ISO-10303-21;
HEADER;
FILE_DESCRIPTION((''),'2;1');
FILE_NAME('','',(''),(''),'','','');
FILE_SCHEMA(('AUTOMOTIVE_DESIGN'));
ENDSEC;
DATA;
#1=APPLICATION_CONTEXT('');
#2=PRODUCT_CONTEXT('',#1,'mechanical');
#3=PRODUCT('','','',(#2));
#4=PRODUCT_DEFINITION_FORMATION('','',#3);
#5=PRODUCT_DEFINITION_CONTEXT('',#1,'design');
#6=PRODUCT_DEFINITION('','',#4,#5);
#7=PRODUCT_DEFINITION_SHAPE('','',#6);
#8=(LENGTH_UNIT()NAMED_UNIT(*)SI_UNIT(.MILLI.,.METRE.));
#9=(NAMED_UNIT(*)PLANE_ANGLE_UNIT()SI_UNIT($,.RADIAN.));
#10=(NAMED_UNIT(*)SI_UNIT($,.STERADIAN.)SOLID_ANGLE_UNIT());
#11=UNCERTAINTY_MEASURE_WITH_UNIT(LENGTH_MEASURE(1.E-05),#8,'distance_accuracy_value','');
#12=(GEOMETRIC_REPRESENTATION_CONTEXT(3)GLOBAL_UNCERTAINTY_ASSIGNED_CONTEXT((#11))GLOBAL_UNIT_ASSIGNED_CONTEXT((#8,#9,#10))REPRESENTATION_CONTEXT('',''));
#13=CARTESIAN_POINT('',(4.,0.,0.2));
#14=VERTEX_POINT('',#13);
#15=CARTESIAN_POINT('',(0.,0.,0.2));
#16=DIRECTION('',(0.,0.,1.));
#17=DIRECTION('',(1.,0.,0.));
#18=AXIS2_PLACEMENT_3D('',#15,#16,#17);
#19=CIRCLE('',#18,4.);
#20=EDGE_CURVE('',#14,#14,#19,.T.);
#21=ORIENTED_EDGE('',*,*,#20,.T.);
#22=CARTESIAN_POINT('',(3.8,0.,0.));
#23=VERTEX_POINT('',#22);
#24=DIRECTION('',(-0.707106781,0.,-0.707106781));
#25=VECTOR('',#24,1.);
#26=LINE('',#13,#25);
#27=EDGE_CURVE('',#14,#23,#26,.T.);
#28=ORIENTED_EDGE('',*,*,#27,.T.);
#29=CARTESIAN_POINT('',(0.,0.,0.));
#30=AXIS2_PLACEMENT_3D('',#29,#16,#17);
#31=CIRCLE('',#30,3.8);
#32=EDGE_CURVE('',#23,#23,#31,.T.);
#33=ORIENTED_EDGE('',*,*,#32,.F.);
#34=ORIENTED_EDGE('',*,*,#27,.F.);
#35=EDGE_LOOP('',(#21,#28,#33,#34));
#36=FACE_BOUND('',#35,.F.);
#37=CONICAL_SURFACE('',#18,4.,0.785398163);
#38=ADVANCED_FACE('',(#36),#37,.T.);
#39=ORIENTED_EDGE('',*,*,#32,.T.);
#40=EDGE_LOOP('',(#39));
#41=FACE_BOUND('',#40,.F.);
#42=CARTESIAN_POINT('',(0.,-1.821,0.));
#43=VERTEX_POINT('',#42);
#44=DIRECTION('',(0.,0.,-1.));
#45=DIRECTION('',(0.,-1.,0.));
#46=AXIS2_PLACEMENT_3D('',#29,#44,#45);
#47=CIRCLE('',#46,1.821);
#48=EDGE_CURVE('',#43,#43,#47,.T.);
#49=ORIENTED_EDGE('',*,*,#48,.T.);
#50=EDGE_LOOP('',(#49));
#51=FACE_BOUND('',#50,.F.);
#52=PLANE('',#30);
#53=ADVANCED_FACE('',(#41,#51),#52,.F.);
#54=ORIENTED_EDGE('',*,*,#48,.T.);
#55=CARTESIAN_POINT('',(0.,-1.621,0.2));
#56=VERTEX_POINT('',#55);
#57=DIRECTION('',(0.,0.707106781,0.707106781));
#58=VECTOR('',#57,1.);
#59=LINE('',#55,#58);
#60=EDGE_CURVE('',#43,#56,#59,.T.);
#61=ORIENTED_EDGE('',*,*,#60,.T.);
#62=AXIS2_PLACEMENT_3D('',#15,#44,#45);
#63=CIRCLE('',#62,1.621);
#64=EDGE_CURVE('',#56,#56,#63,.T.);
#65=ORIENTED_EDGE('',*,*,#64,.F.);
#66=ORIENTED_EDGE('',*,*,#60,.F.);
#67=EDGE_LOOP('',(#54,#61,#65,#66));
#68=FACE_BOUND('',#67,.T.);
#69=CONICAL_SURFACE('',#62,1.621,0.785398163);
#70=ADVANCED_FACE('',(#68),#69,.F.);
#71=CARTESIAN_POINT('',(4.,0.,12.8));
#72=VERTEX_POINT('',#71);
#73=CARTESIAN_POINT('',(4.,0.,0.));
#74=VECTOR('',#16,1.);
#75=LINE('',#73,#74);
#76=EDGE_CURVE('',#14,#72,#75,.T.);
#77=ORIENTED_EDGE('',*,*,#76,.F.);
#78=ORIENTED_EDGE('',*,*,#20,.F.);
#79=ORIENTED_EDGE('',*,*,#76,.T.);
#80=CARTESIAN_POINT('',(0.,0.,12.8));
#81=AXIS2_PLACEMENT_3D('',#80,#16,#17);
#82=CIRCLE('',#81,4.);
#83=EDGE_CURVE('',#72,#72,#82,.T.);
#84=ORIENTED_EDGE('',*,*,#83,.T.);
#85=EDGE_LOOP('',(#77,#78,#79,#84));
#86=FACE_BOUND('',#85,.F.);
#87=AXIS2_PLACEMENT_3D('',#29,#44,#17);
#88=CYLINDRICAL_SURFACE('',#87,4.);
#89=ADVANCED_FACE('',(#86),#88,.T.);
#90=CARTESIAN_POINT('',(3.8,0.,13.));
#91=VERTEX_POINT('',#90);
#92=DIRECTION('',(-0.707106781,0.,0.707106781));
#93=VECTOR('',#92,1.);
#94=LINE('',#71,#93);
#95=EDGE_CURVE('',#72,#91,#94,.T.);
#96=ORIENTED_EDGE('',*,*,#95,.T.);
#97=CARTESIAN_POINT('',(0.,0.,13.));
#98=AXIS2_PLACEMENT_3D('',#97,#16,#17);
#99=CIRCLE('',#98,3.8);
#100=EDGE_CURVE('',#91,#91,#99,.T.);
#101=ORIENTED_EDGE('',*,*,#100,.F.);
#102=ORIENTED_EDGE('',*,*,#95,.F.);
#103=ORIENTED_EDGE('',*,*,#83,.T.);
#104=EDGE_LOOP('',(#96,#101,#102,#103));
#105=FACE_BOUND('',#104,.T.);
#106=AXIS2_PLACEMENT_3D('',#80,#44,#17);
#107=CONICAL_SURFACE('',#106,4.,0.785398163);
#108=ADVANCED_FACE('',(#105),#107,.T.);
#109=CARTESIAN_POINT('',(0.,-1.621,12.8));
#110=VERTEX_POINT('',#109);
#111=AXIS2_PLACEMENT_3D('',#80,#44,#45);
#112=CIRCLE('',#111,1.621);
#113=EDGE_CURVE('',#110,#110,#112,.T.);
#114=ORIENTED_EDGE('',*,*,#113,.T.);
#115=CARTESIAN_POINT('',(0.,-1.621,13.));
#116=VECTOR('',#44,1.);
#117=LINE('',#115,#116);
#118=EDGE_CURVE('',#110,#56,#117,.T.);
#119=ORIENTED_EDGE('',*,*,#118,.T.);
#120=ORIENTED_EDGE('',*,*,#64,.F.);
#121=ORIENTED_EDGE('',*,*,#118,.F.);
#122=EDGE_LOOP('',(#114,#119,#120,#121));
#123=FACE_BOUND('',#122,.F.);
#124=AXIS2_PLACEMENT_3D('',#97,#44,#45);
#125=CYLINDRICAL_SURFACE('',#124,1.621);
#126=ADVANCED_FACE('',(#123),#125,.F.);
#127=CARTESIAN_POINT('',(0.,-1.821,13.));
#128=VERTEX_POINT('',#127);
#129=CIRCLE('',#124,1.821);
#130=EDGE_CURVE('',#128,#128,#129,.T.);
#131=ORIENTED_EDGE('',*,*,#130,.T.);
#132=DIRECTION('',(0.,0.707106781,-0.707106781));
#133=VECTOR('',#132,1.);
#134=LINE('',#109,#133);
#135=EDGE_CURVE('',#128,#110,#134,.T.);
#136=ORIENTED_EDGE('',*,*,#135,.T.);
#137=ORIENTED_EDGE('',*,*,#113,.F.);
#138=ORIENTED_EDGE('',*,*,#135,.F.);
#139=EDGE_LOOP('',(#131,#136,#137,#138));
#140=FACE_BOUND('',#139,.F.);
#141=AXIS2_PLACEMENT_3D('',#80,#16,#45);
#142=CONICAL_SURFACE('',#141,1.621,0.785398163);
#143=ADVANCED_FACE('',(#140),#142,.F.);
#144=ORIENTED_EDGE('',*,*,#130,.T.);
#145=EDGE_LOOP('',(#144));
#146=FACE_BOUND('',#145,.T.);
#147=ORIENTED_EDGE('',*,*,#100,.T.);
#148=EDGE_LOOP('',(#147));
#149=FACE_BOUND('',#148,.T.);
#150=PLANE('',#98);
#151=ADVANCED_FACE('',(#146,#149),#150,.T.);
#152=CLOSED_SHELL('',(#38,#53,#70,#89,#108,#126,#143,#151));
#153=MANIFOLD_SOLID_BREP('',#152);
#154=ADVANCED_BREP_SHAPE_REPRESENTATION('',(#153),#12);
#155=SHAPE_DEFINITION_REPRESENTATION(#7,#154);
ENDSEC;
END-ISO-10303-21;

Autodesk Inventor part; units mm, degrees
ref_plane "YZ Plane" through (0, 0, 0) normal (1, 0, 0) x (0, 1, 0)
ref_plane "XZ Plane" through (0, 0, 0) normal (0, 1, 0) x (-1, 0, 0)
ref_plane "XY Plane" through (0, 0, 0) normal (0, 0, 1) x (1, 0, 0)
sketch "スケッチ1" plane through (0, 0, 0) normal (0, 0, 1) x (1, 0, 0)
  circle A0 centre (0, 0) radius 4
  dimension "d13" = 8
extrude "押し出し1" add sketch "スケッチ1" along normal blind 13
sketch "スケッチ2" plane through (0, 0, 13) normal (0, 0, 1) x (1, 0, 0)
  point P0 (0, 0)
  point P1 (0, 0)
hole "穴1" at (0, 0, 13) direction (0, 0, -1) diameter 3.242 end through all thread size "M4x0.7" class "6H" standard "ANSI Metric M Profile"
chamfer "面取り1" distance 0.2 angle 45 4 edges at (0, 1.621, 13) (0, 1.621, 0) (-4, 0, 13) (-4, 0, 0)
properties part number "unir-spacer1" material "鋼、炭素鋼"
